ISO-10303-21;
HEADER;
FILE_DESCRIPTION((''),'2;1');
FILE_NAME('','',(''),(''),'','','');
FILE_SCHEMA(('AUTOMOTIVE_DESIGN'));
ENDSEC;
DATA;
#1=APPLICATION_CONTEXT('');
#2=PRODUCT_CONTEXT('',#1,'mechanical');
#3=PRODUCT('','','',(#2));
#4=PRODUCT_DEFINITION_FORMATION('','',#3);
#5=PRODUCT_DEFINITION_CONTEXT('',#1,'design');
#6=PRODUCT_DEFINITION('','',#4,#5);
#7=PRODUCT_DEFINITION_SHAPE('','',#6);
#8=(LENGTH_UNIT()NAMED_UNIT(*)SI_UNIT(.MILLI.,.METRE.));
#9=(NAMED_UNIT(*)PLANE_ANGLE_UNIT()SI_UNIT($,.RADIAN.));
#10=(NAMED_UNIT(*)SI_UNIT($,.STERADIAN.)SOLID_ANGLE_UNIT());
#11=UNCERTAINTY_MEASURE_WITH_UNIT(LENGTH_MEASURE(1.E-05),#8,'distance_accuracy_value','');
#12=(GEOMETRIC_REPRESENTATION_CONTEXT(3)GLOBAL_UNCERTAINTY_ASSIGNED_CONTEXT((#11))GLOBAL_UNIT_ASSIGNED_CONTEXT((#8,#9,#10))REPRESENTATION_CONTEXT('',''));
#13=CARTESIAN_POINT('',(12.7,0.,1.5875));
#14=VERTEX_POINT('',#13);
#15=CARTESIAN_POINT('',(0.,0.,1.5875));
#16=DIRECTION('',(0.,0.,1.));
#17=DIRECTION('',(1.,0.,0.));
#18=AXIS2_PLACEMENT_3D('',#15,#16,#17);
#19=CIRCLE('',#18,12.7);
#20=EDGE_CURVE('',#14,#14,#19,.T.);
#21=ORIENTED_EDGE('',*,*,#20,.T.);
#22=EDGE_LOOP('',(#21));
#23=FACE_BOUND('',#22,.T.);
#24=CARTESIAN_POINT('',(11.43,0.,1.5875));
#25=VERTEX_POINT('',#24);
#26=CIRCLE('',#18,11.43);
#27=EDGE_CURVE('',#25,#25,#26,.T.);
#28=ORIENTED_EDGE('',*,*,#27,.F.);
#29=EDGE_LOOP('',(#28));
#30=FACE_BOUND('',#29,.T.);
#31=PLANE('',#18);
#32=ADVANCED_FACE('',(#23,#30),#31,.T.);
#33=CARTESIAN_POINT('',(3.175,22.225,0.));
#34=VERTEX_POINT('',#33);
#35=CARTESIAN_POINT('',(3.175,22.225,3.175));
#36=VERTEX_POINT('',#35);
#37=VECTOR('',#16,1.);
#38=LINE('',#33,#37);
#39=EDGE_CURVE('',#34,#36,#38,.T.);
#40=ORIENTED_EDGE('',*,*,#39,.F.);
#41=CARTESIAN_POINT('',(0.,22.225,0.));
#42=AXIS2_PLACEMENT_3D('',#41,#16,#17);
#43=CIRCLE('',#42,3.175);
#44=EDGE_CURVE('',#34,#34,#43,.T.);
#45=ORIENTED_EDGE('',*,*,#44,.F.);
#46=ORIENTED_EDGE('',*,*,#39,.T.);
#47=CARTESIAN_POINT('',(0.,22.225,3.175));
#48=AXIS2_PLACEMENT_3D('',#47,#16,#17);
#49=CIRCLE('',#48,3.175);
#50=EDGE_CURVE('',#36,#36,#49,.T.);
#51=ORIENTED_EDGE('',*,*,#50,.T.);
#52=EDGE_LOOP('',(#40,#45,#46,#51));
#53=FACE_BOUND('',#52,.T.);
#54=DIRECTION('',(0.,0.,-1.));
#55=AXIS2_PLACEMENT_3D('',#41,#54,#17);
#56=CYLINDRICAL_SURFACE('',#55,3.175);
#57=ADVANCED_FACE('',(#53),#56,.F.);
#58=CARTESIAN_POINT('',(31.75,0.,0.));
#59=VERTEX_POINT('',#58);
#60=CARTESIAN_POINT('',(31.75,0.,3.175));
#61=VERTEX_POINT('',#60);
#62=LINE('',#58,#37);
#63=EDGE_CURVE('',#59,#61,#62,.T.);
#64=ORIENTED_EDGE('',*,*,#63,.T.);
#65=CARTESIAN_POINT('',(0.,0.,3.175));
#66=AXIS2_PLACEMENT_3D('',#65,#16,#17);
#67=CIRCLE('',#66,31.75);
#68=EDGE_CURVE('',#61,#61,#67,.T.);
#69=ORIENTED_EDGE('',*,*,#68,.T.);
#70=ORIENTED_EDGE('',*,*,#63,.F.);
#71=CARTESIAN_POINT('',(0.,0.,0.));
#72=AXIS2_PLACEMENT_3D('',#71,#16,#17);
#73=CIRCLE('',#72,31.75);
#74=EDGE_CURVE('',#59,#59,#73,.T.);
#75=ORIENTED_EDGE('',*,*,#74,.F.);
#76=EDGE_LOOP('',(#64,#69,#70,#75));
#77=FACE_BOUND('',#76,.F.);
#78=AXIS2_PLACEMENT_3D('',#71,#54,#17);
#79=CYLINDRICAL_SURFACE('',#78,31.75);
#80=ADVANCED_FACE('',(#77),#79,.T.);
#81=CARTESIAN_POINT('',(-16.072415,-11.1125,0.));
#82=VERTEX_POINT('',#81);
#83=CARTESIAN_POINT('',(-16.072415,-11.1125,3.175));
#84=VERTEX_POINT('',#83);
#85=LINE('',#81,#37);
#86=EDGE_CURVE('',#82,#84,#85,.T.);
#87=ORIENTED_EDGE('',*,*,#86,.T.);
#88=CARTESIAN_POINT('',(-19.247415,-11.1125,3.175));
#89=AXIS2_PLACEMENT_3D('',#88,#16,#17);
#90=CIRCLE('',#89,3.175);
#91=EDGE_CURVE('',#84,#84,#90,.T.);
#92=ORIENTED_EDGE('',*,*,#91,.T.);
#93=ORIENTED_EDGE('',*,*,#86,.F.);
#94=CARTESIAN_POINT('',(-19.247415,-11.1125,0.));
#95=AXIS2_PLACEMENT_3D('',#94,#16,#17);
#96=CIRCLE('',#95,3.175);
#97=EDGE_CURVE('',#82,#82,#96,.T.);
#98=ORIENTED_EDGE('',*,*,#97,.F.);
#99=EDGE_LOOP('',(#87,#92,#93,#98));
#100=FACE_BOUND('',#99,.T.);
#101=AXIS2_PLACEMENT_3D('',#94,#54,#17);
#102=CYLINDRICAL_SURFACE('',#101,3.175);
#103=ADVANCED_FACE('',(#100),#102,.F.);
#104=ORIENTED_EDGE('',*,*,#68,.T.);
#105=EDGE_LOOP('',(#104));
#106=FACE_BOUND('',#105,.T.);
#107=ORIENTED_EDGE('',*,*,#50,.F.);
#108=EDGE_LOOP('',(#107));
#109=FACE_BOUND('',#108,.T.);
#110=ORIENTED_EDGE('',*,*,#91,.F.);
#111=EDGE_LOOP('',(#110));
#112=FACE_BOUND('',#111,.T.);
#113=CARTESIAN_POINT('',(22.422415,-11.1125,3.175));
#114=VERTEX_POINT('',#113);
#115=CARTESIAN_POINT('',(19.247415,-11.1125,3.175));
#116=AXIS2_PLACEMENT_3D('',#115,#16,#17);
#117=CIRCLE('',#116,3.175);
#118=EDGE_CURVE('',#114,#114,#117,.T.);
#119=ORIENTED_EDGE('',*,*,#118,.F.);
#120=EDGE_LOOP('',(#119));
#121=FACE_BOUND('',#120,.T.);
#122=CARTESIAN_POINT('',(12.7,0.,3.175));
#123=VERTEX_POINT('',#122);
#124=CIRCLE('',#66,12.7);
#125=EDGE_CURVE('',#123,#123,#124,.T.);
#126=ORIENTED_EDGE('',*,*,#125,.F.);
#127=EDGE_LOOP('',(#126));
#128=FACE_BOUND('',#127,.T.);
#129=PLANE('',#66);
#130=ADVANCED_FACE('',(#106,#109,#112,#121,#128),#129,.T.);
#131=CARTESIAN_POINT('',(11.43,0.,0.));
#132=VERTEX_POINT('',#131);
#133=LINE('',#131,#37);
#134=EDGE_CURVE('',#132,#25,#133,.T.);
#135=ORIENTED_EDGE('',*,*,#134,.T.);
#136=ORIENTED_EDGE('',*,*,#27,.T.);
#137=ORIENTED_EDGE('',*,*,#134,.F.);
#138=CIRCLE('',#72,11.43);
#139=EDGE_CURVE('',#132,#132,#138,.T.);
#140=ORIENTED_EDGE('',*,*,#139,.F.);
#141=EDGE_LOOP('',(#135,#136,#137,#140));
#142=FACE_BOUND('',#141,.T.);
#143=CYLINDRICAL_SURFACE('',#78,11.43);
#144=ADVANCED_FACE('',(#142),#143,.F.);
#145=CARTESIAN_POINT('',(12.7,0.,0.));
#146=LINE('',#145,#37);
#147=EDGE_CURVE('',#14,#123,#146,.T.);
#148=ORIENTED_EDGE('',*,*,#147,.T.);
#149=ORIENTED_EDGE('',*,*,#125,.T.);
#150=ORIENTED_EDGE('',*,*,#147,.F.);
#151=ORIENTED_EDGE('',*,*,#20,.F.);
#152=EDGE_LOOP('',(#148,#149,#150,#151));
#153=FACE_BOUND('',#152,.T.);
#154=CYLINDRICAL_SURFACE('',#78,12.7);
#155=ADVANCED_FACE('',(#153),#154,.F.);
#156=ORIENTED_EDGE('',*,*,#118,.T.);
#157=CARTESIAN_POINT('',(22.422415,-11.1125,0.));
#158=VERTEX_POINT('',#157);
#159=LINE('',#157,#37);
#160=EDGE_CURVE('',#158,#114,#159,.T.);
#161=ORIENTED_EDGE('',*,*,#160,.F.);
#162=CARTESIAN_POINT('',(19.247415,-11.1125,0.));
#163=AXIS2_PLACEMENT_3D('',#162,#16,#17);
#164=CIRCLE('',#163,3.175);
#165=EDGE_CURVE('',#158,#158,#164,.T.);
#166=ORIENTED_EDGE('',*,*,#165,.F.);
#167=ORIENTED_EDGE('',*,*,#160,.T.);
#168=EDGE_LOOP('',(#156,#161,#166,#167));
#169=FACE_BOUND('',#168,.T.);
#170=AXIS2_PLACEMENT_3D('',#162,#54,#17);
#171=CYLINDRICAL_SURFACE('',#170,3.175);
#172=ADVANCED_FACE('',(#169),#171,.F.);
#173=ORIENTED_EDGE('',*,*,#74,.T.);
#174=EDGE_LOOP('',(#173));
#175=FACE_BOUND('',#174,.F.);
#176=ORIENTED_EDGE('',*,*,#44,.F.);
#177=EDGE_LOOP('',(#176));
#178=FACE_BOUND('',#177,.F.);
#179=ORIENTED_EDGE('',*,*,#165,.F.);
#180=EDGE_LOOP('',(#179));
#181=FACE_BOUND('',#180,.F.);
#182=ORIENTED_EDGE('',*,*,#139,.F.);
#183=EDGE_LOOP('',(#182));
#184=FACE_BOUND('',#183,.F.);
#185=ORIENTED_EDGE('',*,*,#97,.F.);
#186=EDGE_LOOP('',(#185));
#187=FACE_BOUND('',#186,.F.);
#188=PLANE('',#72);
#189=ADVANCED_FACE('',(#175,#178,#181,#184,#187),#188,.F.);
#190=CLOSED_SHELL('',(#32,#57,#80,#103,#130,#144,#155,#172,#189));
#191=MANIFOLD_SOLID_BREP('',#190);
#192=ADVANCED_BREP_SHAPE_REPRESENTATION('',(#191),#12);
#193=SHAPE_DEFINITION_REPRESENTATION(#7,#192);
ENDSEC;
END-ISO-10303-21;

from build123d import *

# Parameters (mm, degrees)
F0_R     = 12.7
F0_R_2   = 11.43
F1_DEPTH = 1.5875
F0_R_3   = 31.75
F0_R_4   = 3.175
F2_DEPTH = 3.175


with BuildPart() as f1:
    # F0 (on Top) → F1 (new body)
    with BuildSketch(Plane.XY):
        Circle(F0_R)
        Circle(F0_R_2, mode=Mode.SUBTRACT)
    extrude(amount=F1_DEPTH)

    # F0 (on Top) → F2 (join)
    with BuildSketch(Plane.XY):
        Circle(F0_R_3)
        with Locations((-19.247415, -11.1125)):
            Circle(F0_R_4, mode=Mode.SUBTRACT)
        with Locations((19.247415, -11.1125)):
            Circle(F0_R_4, mode=Mode.SUBTRACT)
        Circle(F0_R, mode=Mode.SUBTRACT)
        with Locations((0, 22.225)):
            Circle(F0_R_4, mode=Mode.SUBTRACT)
    extrude(amount=F2_DEPTH)


solid = f1.part
